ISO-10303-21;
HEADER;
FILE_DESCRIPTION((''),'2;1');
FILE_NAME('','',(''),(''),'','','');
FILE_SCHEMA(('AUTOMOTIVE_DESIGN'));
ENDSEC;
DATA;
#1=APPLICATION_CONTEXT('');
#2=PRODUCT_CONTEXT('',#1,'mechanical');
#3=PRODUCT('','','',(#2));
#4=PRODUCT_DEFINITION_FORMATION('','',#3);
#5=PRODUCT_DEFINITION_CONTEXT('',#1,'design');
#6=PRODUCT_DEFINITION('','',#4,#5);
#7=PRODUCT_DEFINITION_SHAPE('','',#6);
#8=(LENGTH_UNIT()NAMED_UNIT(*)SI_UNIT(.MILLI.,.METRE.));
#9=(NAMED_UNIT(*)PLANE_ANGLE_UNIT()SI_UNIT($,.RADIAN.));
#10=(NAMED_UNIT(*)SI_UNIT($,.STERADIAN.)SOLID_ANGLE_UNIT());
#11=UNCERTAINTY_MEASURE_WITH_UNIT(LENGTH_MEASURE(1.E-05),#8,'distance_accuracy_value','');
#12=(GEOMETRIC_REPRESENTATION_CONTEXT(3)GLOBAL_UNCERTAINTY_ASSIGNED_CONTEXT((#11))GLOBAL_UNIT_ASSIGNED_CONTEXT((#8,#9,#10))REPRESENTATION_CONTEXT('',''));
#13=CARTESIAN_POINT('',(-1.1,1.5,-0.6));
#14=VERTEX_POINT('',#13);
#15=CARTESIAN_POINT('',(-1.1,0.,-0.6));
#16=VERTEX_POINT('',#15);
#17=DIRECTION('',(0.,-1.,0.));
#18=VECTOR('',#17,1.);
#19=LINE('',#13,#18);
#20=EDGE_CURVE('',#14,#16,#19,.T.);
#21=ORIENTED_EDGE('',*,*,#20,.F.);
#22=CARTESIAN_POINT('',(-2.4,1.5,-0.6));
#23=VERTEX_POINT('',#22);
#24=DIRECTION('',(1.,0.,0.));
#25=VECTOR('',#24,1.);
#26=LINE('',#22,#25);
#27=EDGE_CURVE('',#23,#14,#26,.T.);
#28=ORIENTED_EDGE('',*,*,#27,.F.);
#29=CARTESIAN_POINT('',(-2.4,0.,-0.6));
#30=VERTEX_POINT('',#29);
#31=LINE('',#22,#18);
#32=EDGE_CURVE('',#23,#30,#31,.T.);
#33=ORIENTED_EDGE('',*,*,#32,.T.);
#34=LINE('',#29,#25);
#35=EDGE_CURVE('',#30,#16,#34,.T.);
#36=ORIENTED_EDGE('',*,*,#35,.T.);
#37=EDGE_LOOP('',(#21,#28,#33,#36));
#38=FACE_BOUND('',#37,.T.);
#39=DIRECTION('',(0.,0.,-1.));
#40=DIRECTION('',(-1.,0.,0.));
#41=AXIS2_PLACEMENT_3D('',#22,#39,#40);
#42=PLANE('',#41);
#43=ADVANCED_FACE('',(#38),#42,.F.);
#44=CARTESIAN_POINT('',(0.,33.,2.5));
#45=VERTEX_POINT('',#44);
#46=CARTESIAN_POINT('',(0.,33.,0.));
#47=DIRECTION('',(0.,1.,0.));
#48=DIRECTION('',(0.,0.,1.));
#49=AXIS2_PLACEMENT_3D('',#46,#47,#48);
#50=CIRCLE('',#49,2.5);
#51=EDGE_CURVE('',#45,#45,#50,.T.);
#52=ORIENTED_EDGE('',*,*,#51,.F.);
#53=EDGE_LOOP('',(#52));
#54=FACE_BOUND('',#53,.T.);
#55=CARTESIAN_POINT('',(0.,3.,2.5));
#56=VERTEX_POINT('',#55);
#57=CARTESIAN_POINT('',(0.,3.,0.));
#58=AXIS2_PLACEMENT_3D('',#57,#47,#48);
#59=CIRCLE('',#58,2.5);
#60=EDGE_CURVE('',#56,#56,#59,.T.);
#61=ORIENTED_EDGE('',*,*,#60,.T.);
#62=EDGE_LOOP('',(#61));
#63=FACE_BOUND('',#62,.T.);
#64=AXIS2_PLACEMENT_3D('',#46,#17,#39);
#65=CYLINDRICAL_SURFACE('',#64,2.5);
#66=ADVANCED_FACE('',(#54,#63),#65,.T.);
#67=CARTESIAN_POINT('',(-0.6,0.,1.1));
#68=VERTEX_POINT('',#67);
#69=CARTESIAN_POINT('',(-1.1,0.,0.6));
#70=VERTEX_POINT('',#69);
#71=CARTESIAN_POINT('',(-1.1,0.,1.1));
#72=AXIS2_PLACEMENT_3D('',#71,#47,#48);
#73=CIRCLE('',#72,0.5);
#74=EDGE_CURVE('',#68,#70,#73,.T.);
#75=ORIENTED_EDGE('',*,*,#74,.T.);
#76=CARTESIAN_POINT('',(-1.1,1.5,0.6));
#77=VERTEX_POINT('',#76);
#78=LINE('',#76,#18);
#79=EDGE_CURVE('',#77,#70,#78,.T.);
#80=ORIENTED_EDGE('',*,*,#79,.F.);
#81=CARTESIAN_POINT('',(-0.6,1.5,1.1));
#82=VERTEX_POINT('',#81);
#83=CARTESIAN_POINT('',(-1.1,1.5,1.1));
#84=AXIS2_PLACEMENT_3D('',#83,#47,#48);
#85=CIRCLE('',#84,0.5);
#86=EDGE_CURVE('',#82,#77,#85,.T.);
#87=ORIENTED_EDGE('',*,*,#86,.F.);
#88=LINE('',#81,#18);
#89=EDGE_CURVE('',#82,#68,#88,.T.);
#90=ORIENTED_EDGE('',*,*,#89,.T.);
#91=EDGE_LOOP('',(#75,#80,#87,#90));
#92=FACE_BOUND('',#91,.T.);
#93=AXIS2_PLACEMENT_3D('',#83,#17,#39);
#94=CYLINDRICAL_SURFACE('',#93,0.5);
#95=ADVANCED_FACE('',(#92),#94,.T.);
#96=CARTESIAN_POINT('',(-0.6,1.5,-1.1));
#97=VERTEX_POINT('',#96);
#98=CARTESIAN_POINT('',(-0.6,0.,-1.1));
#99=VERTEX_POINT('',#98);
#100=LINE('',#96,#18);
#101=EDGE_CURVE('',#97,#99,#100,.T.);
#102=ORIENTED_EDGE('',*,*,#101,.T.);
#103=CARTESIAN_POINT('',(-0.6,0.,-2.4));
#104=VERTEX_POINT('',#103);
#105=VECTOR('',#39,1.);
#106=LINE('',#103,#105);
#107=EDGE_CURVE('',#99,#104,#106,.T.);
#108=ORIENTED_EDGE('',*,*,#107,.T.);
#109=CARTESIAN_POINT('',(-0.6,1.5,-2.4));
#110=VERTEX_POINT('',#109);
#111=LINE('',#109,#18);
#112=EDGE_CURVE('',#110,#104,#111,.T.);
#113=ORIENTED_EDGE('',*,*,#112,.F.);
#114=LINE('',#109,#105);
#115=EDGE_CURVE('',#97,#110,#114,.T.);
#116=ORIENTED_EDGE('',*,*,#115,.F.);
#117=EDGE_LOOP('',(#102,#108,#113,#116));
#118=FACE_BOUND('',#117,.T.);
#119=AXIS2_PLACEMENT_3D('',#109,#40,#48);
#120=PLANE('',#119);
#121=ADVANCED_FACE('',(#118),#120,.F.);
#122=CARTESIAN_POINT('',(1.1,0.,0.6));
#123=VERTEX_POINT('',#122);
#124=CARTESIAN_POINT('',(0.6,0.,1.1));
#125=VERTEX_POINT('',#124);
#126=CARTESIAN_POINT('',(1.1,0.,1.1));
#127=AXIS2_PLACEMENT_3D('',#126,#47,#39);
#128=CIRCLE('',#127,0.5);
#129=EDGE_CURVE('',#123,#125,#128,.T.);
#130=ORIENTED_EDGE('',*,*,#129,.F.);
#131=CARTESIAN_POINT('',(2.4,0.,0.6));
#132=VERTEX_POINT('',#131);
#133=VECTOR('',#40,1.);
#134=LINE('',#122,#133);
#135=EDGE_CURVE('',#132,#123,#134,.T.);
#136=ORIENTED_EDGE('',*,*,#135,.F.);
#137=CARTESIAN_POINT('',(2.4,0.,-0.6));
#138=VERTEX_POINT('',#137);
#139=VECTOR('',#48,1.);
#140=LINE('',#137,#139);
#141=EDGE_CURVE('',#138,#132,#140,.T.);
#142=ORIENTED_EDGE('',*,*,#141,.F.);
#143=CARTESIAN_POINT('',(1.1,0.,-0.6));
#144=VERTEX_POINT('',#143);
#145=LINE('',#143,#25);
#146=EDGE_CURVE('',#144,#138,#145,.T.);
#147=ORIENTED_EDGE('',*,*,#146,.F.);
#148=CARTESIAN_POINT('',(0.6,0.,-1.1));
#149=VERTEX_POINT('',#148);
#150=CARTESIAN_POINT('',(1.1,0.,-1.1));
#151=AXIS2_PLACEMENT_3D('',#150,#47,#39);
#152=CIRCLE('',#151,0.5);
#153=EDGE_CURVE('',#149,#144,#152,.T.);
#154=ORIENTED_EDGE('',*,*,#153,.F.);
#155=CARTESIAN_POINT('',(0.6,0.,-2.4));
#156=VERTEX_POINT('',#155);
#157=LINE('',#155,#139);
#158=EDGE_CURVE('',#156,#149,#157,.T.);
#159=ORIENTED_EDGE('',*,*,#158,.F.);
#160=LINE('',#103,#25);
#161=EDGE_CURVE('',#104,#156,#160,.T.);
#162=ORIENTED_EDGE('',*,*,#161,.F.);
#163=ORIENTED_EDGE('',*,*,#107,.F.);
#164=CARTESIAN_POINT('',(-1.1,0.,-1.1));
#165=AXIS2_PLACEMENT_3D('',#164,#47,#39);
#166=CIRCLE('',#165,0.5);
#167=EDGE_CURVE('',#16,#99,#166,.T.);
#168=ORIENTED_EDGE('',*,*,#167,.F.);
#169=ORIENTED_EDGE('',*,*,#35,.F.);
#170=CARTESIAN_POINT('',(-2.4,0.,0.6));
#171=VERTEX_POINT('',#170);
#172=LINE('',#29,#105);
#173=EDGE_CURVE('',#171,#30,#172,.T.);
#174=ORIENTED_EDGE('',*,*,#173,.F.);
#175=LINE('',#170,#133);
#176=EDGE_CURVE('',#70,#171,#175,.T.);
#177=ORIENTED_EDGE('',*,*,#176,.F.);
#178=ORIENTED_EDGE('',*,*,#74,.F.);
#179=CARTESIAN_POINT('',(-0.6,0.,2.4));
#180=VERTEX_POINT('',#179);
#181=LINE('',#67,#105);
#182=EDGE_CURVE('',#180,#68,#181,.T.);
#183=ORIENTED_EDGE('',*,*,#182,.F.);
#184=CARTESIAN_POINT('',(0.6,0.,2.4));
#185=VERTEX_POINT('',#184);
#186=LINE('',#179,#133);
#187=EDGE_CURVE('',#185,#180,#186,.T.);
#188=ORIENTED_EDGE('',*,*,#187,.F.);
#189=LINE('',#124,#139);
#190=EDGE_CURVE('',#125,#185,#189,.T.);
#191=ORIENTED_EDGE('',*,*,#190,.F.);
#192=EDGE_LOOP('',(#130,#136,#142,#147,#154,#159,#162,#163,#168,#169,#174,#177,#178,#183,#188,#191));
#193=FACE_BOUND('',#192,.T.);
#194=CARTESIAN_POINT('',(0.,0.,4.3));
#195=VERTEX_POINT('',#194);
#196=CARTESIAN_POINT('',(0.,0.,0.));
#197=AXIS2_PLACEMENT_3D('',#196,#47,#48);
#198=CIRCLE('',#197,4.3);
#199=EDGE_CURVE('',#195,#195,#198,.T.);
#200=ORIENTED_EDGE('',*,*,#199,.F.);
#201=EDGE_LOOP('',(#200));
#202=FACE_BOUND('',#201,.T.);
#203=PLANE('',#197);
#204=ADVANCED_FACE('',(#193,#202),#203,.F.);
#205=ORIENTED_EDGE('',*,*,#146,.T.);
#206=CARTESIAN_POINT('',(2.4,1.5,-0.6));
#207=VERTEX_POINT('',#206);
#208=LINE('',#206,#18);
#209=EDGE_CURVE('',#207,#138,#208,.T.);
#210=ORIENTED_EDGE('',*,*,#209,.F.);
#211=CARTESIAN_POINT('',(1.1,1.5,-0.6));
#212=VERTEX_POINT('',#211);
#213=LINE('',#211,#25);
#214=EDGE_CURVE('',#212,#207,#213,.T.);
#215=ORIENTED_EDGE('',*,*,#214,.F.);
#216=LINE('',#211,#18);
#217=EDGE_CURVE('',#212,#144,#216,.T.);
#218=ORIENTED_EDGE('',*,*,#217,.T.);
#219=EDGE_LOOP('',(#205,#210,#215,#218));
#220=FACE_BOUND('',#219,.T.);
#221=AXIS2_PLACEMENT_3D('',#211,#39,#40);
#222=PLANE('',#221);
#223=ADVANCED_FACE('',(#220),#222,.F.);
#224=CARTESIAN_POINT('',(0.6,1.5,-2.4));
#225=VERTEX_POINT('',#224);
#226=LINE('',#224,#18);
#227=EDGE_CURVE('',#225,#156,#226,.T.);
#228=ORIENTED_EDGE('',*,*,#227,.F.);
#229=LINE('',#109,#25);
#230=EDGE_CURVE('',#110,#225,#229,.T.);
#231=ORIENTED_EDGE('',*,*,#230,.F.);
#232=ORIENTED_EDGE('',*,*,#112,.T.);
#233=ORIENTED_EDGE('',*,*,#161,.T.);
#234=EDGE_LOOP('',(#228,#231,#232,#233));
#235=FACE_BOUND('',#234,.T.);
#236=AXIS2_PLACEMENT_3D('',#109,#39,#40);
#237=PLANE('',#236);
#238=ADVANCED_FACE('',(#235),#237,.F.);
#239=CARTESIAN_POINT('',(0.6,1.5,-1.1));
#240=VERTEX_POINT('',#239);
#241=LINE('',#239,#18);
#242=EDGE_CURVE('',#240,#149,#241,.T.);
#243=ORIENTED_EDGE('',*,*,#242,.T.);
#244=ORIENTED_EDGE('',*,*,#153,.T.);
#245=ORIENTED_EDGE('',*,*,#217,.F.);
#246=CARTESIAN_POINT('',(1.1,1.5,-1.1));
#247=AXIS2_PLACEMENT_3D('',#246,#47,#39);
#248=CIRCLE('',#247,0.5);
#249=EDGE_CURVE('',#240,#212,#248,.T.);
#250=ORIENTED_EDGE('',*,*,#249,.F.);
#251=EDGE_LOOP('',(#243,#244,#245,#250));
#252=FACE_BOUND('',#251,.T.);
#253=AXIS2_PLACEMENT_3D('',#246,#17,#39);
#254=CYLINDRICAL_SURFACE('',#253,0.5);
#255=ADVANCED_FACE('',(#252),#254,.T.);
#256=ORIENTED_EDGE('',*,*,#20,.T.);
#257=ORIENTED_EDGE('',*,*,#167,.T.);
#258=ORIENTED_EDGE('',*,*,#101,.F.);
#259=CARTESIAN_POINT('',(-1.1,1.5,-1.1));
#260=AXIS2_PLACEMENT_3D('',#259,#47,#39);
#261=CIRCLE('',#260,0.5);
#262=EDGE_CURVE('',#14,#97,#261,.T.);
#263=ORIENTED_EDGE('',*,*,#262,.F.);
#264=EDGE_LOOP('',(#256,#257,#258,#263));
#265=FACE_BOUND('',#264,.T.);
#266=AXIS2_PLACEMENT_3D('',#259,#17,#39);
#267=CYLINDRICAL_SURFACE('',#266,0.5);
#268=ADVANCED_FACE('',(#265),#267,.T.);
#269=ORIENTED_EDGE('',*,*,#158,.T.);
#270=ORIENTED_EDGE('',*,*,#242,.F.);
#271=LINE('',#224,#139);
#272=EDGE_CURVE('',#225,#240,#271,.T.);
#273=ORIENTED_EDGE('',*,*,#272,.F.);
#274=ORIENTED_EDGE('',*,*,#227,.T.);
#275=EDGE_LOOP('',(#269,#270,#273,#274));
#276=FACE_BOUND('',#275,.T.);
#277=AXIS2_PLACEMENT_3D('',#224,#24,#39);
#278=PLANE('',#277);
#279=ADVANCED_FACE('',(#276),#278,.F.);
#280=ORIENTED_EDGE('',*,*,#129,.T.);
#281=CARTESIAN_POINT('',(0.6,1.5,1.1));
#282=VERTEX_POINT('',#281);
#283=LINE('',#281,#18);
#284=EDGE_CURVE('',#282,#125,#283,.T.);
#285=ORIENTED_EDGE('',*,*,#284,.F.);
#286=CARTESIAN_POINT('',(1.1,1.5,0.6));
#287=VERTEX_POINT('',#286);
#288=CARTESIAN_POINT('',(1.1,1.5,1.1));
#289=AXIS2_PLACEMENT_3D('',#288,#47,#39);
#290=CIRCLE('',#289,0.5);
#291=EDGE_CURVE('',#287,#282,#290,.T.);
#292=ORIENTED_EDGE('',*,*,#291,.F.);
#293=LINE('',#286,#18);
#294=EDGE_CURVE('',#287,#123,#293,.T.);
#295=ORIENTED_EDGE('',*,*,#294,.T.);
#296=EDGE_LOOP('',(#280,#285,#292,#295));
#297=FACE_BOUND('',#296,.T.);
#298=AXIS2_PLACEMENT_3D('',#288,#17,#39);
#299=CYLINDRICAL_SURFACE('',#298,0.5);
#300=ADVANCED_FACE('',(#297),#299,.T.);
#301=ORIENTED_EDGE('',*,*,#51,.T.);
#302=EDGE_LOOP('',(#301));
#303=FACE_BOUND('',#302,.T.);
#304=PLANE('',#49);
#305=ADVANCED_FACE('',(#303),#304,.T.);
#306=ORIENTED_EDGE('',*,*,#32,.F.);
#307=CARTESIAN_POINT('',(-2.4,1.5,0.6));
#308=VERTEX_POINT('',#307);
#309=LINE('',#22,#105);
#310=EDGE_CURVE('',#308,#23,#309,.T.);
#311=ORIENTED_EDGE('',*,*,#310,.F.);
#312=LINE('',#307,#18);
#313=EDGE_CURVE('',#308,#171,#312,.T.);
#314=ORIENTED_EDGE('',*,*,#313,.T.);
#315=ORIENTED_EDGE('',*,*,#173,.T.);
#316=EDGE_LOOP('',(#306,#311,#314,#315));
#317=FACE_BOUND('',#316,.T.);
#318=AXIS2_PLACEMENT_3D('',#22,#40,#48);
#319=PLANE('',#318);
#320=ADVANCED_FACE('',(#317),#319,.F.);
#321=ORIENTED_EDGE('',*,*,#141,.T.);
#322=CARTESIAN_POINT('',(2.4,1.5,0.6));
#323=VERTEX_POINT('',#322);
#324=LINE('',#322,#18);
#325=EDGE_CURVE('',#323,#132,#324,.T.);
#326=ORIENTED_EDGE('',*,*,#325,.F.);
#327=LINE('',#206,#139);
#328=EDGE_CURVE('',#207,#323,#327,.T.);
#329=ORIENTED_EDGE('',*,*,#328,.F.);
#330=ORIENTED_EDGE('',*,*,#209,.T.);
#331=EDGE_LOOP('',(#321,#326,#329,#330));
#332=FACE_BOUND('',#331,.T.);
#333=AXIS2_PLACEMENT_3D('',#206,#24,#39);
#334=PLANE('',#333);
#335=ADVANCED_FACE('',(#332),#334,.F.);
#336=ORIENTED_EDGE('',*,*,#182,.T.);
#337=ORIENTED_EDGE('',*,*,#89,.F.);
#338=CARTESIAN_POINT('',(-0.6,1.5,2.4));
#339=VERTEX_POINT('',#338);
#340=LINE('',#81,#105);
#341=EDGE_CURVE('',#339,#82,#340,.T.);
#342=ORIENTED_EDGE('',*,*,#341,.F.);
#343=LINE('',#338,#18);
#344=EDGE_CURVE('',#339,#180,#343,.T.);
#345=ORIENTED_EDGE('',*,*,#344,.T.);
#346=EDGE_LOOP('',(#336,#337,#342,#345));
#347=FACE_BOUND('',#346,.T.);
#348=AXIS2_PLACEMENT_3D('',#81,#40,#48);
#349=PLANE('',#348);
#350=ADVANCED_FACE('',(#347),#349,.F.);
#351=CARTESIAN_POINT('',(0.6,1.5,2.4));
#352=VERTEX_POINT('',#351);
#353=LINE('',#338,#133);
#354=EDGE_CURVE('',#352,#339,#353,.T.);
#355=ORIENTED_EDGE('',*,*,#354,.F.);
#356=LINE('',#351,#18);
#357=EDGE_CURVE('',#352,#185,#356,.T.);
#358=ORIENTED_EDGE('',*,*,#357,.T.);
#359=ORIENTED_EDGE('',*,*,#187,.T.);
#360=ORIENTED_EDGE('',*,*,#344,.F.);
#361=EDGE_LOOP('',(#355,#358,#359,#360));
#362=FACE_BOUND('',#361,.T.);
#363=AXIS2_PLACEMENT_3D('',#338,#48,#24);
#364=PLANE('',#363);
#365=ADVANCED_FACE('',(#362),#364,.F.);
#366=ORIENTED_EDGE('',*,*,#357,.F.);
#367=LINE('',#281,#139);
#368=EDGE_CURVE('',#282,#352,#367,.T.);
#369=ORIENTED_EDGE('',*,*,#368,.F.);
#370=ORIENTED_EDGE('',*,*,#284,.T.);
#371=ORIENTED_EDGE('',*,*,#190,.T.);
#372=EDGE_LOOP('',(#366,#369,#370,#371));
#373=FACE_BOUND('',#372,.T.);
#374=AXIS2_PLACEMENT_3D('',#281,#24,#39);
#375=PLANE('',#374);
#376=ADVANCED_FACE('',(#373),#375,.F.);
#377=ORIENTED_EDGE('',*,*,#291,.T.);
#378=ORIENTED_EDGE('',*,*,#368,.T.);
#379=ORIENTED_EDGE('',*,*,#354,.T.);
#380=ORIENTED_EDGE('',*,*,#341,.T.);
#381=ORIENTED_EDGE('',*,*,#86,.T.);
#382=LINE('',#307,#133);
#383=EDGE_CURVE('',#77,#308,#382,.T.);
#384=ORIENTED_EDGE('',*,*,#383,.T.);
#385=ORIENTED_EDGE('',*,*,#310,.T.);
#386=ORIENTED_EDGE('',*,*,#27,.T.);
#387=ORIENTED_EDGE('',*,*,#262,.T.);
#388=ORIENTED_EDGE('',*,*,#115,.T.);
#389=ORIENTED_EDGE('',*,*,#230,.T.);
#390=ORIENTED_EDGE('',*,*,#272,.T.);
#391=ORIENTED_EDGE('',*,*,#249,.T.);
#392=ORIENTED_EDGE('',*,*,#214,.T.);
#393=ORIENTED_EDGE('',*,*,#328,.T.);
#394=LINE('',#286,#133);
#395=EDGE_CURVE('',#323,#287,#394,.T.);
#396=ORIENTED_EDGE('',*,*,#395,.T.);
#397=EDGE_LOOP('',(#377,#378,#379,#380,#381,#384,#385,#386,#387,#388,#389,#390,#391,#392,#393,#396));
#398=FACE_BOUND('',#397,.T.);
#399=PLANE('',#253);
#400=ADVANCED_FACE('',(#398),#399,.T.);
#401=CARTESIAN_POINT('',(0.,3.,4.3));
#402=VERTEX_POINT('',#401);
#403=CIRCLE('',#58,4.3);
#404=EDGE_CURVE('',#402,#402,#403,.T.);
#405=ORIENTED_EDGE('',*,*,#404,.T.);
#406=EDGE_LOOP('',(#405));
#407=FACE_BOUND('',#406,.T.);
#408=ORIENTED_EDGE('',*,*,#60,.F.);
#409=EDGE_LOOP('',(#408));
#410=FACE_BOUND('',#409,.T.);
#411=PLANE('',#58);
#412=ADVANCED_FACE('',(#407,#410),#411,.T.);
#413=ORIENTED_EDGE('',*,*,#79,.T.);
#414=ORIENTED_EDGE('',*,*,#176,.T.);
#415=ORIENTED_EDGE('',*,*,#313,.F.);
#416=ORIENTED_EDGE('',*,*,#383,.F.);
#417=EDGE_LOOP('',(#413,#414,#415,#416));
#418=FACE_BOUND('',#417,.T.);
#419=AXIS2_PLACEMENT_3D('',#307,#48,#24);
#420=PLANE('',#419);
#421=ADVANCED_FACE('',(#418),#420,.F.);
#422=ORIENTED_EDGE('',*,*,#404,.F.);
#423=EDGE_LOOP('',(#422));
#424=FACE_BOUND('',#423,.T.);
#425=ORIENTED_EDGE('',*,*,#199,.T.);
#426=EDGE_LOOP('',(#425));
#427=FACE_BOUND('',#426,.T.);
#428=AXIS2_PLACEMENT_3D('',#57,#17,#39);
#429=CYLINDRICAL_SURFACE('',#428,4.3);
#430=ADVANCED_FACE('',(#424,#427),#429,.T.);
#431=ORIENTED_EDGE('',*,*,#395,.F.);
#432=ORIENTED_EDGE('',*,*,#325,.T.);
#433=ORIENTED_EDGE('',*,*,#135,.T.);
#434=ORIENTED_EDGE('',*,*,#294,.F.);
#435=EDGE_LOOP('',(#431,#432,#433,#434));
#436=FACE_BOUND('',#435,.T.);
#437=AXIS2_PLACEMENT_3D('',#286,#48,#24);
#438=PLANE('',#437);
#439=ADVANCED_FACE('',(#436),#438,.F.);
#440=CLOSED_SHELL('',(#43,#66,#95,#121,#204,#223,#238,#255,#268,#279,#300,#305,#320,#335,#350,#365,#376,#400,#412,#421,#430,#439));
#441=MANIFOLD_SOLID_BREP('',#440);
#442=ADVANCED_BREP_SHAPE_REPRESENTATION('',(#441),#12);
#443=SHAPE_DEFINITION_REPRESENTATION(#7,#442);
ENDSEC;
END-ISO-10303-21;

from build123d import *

# Parameters (mm, degrees)
SKETCH_1_R          = 4.3
EXTRUDE_1_DEPTH     = 3
SKETCH_2_R          = 2.5
EXTRUDE_2_DEPTH     = 30
CUT_EXTRUDE_1_DEPTH = 1.5


with BuildPart() as part:
    # 草图1 → 凸台-拉伸1 (new body)
    with BuildSketch(Plane(origin=(0, 0, 0), x_dir=(1, 0, 0), z_dir=(0, 1, 0))):
        Circle(SKETCH_1_R)
    extrude(amount=EXTRUDE_1_DEPTH)

    # 草图2 → 凸台-拉伸2 (add)
    with BuildSketch(Plane(origin=(0, 3, 0), x_dir=(1, 0, 0), z_dir=(0, 1, 0))):
        Circle(SKETCH_2_R)
    extrude(amount=EXTRUDE_2_DEPTH)

    # 草图3 → 切除-拉伸1 (cut)
    with BuildSketch(Plane.XZ):
        with BuildLine():
            Line((-0.6, 1.1), (-0.6, 2.4))
            Line((-0.6, 2.4), (0.6, 2.4))
            Line((0.6, 2.4), (0.6, 1.1))
            ThreePointArc((0.6, 1.1), (0.746446609, 0.746446609), (1.1, 0.6))
            Line((1.1, 0.6), (2.4, 0.6))
            Line((2.4, 0.6), (2.4, -0.6))
            Line((2.4, -0.6), (1.1, -0.6))
            ThreePointArc((1.1, -0.6), (0.746446609, -0.746446609), (0.6, -1.1))
            Line((0.6, -1.1), (0.6, -2.4))
            Line((0.6, -2.4), (-0.6, -2.4))
            Line((-0.6, -2.4), (-0.6, -1.1))
            ThreePointArc((-0.6, -1.1), (-0.746446609, -0.746446609), (-1.1, -0.6))
            Line((-1.1, -0.6), (-2.4, -0.6))
            Line((-2.4, -0.6), (-2.4, 0.6))
            Line((-2.4, 0.6), (-1.1, 0.6))
            ThreePointArc((-1.1, 0.6), (-0.746446609, 0.746446609), (-0.6, 1.1))
        make_face()
    extrude(amount=-CUT_EXTRUDE_1_DEPTH, mode=Mode.SUBTRACT)


solid = part.part
